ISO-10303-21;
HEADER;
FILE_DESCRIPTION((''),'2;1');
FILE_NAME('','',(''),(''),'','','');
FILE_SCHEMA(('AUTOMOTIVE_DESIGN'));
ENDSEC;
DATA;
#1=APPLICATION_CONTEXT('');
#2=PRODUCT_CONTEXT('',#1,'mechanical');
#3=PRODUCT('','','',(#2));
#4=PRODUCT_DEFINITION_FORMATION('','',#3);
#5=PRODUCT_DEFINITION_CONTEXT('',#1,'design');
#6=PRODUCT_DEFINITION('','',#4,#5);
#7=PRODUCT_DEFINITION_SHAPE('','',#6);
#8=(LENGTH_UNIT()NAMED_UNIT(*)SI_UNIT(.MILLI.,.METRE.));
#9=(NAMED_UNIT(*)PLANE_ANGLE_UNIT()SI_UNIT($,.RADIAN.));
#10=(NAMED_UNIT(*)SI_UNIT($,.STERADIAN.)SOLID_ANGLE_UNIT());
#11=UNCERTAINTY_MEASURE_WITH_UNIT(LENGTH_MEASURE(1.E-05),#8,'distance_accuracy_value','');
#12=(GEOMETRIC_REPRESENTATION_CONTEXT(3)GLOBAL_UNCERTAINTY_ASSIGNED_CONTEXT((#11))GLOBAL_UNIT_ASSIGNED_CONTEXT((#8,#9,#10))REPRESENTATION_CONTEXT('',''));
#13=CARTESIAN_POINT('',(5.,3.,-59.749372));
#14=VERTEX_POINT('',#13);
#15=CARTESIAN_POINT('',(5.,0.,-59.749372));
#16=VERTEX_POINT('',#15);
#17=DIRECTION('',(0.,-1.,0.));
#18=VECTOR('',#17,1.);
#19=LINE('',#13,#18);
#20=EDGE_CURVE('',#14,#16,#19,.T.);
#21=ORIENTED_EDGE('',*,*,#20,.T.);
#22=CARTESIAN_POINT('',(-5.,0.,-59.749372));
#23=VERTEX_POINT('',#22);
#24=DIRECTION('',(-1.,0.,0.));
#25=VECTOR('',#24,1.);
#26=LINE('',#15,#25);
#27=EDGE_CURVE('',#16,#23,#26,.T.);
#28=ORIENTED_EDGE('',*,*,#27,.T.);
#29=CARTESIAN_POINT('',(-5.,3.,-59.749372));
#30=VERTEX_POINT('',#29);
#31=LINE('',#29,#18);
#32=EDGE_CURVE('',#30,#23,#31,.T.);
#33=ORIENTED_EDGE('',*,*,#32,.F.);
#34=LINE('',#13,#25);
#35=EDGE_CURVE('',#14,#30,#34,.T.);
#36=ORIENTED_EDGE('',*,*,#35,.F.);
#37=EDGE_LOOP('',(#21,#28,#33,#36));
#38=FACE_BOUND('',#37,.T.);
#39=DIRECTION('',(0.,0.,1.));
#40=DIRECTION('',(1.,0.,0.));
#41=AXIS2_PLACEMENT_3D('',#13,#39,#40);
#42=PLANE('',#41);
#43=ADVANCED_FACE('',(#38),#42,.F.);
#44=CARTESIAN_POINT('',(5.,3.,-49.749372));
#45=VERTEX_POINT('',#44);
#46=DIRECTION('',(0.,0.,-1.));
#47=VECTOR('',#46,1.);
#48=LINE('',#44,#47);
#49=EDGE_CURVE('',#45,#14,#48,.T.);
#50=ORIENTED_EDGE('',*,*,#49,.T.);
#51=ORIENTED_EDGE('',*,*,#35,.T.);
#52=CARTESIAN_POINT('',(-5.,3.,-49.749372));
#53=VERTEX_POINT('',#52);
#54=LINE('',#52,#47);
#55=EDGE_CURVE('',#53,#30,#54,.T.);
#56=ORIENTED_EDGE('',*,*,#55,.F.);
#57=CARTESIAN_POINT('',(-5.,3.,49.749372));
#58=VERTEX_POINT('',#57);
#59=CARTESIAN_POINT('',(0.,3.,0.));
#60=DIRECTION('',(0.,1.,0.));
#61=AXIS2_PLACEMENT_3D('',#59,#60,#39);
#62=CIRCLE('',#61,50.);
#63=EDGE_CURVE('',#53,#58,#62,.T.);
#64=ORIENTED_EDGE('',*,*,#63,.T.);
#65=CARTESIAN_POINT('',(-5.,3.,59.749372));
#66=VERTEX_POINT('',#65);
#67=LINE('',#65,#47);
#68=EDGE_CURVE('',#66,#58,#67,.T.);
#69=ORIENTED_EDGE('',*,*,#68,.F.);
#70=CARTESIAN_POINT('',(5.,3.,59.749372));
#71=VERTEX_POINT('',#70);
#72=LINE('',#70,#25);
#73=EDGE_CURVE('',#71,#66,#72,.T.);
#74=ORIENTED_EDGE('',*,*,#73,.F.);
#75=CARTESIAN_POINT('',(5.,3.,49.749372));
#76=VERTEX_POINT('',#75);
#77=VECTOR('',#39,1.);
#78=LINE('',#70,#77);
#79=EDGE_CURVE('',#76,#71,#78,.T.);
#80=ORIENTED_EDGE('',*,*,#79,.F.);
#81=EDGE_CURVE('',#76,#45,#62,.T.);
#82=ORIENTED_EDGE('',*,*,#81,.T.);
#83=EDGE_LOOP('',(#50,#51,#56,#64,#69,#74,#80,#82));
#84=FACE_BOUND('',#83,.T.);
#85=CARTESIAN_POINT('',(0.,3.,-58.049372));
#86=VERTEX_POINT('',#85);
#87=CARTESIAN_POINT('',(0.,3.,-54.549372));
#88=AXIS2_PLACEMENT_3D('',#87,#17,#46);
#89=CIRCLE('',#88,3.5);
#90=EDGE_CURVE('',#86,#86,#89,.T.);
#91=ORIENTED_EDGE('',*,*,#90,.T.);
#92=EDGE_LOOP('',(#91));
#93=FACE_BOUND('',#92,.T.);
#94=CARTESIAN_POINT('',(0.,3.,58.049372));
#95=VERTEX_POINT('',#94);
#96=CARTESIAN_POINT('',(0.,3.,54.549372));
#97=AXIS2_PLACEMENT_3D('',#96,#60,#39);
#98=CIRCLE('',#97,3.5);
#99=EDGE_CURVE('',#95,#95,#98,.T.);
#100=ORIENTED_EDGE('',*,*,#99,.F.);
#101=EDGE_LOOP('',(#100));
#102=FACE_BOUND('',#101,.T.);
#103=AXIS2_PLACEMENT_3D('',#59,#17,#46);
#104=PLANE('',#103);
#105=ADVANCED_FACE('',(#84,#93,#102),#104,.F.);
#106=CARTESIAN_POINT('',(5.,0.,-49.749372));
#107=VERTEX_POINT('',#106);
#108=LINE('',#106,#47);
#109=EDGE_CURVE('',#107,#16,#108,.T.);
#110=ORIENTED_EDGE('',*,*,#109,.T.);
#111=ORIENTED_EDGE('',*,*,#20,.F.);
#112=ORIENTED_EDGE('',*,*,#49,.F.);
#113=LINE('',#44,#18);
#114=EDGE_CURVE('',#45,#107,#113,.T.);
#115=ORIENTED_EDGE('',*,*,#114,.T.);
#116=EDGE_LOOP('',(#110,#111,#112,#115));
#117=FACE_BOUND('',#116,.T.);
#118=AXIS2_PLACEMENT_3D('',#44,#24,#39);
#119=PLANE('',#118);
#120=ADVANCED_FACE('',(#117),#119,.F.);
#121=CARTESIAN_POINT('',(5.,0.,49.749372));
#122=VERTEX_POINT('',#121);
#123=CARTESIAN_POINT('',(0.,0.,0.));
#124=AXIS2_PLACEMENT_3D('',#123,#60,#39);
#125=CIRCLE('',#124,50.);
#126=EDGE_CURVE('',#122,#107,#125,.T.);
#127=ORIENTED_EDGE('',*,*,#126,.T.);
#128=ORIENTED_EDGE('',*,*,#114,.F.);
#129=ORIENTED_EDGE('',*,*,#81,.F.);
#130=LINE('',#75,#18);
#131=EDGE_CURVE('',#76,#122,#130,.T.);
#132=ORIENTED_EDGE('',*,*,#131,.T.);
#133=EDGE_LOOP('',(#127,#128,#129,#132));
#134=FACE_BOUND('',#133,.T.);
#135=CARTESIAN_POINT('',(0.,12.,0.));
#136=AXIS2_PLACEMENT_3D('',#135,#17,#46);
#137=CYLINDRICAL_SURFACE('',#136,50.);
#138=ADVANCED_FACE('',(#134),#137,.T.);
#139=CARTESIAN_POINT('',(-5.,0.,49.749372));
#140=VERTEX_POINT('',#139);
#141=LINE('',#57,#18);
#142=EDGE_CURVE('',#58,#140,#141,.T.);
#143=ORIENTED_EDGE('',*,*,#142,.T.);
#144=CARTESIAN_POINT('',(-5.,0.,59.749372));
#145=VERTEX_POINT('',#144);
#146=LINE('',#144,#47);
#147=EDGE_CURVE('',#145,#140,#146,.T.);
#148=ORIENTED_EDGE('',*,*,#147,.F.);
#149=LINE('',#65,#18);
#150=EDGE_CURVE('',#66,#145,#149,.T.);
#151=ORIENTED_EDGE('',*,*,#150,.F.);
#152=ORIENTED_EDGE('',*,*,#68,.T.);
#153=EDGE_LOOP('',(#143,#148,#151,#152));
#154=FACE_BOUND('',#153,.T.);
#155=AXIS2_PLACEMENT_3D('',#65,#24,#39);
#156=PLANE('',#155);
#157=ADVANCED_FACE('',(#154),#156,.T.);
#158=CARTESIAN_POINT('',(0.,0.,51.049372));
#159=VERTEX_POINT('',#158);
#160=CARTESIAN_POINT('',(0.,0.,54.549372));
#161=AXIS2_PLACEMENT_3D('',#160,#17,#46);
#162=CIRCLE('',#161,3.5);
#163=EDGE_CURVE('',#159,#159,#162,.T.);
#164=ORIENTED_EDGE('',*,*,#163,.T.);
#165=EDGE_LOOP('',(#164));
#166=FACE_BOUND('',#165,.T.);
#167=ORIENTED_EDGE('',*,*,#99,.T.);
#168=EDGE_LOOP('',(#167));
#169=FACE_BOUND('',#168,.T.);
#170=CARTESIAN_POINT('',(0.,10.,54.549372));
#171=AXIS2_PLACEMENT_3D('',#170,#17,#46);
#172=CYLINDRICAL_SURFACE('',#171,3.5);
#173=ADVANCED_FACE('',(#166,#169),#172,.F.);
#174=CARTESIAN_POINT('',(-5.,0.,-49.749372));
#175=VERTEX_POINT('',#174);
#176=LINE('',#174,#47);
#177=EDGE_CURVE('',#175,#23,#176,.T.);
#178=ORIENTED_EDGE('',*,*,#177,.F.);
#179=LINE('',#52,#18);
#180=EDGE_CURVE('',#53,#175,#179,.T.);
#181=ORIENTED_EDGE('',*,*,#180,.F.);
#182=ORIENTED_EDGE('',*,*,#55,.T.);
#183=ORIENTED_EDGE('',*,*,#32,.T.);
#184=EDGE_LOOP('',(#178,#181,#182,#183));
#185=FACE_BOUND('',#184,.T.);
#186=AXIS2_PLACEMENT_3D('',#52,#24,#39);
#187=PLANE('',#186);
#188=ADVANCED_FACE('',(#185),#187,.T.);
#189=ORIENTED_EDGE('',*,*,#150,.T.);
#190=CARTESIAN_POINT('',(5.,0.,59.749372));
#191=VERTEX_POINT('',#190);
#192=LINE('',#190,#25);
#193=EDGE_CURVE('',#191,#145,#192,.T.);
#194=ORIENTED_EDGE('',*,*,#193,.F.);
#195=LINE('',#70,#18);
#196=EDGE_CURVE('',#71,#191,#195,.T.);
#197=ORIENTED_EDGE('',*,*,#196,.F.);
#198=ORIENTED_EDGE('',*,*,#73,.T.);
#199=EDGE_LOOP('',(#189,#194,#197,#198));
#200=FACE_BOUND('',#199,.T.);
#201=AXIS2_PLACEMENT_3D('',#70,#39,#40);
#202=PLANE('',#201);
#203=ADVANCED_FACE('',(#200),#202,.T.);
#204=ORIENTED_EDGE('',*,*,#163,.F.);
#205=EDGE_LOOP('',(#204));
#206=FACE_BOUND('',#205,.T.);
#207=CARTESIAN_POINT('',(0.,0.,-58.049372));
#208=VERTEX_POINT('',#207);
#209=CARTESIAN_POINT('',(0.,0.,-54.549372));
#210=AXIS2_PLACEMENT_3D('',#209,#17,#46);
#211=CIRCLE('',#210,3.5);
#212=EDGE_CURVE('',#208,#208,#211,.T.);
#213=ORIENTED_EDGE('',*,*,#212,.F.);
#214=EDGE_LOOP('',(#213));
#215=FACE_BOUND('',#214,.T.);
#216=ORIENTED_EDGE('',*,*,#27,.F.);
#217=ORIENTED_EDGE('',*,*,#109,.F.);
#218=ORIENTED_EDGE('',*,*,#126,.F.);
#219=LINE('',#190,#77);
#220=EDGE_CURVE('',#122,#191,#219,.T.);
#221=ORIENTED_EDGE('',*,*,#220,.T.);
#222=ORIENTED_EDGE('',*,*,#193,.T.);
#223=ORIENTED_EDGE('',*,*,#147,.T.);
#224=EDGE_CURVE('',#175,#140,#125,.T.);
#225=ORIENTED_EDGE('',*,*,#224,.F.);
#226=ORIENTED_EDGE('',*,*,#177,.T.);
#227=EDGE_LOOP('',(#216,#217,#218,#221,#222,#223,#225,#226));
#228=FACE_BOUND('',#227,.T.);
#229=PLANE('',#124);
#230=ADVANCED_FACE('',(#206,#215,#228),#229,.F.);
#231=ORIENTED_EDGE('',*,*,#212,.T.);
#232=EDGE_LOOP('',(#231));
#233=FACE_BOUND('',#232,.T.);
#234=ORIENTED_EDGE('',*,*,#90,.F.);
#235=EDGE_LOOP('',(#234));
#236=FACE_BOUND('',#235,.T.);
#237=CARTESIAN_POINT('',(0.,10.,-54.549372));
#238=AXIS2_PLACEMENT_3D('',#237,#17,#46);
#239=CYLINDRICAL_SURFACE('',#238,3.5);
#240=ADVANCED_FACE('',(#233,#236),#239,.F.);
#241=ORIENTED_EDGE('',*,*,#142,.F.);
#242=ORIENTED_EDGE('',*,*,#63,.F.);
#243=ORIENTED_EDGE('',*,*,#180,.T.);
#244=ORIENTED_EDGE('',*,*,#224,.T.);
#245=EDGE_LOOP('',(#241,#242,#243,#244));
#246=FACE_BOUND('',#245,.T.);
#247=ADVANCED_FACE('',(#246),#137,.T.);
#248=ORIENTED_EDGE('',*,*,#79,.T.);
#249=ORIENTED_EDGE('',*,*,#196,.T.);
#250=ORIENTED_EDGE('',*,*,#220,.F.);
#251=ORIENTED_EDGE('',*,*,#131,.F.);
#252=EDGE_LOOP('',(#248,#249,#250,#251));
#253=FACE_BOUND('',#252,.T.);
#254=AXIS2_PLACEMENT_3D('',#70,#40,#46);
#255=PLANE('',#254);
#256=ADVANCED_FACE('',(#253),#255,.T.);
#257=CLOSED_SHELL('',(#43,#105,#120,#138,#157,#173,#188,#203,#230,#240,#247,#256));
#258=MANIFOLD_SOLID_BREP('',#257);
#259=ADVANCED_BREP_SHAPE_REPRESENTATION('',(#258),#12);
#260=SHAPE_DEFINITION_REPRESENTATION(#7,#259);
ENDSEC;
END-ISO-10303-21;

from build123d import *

# Parameters (mm, degrees)
SKETCH2_R               = 50
BOSS_EXTRUDE1_DEPTH     = 12
SKETCH3_R               = 48
CUT_EXTRUDE1_DEPTH      = 10
SKETCH7_W               = 10
SKETCH7_H               = 10
BOSS_EXTRUDE12_DEPTH    = 3
SKETCH8_W               = 10
SKETCH8_H               = 10
BOSS_EXTRUDE13_DEPTH    = 3
SKETCH9_R               = 3.5
CUT_EXTRUDE2_DEPTH      = 10
SKETCH10_R              = 3.5
CUT_EXTRUDE3_DEPTH      = 10
CUT_EXTRUDE4_DEPTH      = 100
CUT_EXTRUDE4_DEPTH_BACK = 100
SKETCH11_W              = 125.880590586
SKETCH11_H              = 15.914036276
BOSS_EXTRUDE15_START    = -3
SKETCH12_R              = 48
BOSS_EXTRUDE15_DEPTH    = 3


with BuildPart() as part:
    # Sketch2 → Boss-Extrude1 (new body)
    with BuildSketch(Plane(origin=(0, 0, 0), x_dir=(1, 0, 0), z_dir=(0, 1, 0))):
        Circle(SKETCH2_R)
    extrude(amount=BOSS_EXTRUDE1_DEPTH)

    # Sketch3 → Cut-Extrude1 (cut)
    with BuildSketch(Plane.XZ):
        Circle(SKETCH3_R)
    extrude(amount=-CUT_EXTRUDE1_DEPTH, mode=Mode.SUBTRACT)

    # Sketch7 → Boss-Extrude12 (add)
    with BuildSketch(Plane(origin=(0, 0, 0), x_dir=(-1, 0, 0), z_dir=(0, -1, 0))):
        with Locations((0, 54.749371855)):
            Rectangle(SKETCH7_W, SKETCH7_H)
    extrude(amount=-BOSS_EXTRUDE12_DEPTH)

    # Sketch8 → Boss-Extrude13 (add)
    with BuildSketch(Plane(origin=(0, 0, 0), x_dir=(-1, 0, 0), z_dir=(0, -1, 0))):
        with Locations((0, -54.749371855)):
            Rectangle(SKETCH8_W, SKETCH8_H)
    extrude(amount=-BOSS_EXTRUDE13_DEPTH)

    # Sketch9 → Cut-Extrude2 (cut)
    with BuildSketch(Plane.XZ):
        with Locations((0, 54.549371855)):
            Circle(SKETCH9_R)
    extrude(amount=-CUT_EXTRUDE2_DEPTH, mode=Mode.SUBTRACT)

    # Sketch10 → Cut-Extrude3 (cut)
    with BuildSketch(Plane.XZ):
        with Locations((0, -54.549371855)):
            Circle(SKETCH10_R)
    extrude(amount=-CUT_EXTRUDE3_DEPTH, mode=Mode.SUBTRACT)

    # Sketch11 → Cut-Extrude4 (cut, two sides: drawn at the far end of the back side and taken through both)
    with BuildSketch(Plane(origin=(5, 0, 0), x_dir=(0, 0, -1), z_dir=(1, 0, 0)).offset(-CUT_EXTRUDE4_DEPTH_BACK)):
        with Locations((3.190923438, 10.957018138)):
            Rectangle(SKETCH11_W, SKETCH11_H)
    extrude(amount=CUT_EXTRUDE4_DEPTH + CUT_EXTRUDE4_DEPTH_BACK, mode=Mode.SUBTRACT)

    # Sketch12 → Boss-Extrude15 (add)
    with BuildSketch(Plane(origin=(0, 3, 0), x_dir=(1, 0, 0), z_dir=(0, 1, 0)).offset(BOSS_EXTRUDE15_START)):
        Circle(SKETCH12_R)
    extrude(amount=BOSS_EXTRUDE15_DEPTH)


solid = part.part
